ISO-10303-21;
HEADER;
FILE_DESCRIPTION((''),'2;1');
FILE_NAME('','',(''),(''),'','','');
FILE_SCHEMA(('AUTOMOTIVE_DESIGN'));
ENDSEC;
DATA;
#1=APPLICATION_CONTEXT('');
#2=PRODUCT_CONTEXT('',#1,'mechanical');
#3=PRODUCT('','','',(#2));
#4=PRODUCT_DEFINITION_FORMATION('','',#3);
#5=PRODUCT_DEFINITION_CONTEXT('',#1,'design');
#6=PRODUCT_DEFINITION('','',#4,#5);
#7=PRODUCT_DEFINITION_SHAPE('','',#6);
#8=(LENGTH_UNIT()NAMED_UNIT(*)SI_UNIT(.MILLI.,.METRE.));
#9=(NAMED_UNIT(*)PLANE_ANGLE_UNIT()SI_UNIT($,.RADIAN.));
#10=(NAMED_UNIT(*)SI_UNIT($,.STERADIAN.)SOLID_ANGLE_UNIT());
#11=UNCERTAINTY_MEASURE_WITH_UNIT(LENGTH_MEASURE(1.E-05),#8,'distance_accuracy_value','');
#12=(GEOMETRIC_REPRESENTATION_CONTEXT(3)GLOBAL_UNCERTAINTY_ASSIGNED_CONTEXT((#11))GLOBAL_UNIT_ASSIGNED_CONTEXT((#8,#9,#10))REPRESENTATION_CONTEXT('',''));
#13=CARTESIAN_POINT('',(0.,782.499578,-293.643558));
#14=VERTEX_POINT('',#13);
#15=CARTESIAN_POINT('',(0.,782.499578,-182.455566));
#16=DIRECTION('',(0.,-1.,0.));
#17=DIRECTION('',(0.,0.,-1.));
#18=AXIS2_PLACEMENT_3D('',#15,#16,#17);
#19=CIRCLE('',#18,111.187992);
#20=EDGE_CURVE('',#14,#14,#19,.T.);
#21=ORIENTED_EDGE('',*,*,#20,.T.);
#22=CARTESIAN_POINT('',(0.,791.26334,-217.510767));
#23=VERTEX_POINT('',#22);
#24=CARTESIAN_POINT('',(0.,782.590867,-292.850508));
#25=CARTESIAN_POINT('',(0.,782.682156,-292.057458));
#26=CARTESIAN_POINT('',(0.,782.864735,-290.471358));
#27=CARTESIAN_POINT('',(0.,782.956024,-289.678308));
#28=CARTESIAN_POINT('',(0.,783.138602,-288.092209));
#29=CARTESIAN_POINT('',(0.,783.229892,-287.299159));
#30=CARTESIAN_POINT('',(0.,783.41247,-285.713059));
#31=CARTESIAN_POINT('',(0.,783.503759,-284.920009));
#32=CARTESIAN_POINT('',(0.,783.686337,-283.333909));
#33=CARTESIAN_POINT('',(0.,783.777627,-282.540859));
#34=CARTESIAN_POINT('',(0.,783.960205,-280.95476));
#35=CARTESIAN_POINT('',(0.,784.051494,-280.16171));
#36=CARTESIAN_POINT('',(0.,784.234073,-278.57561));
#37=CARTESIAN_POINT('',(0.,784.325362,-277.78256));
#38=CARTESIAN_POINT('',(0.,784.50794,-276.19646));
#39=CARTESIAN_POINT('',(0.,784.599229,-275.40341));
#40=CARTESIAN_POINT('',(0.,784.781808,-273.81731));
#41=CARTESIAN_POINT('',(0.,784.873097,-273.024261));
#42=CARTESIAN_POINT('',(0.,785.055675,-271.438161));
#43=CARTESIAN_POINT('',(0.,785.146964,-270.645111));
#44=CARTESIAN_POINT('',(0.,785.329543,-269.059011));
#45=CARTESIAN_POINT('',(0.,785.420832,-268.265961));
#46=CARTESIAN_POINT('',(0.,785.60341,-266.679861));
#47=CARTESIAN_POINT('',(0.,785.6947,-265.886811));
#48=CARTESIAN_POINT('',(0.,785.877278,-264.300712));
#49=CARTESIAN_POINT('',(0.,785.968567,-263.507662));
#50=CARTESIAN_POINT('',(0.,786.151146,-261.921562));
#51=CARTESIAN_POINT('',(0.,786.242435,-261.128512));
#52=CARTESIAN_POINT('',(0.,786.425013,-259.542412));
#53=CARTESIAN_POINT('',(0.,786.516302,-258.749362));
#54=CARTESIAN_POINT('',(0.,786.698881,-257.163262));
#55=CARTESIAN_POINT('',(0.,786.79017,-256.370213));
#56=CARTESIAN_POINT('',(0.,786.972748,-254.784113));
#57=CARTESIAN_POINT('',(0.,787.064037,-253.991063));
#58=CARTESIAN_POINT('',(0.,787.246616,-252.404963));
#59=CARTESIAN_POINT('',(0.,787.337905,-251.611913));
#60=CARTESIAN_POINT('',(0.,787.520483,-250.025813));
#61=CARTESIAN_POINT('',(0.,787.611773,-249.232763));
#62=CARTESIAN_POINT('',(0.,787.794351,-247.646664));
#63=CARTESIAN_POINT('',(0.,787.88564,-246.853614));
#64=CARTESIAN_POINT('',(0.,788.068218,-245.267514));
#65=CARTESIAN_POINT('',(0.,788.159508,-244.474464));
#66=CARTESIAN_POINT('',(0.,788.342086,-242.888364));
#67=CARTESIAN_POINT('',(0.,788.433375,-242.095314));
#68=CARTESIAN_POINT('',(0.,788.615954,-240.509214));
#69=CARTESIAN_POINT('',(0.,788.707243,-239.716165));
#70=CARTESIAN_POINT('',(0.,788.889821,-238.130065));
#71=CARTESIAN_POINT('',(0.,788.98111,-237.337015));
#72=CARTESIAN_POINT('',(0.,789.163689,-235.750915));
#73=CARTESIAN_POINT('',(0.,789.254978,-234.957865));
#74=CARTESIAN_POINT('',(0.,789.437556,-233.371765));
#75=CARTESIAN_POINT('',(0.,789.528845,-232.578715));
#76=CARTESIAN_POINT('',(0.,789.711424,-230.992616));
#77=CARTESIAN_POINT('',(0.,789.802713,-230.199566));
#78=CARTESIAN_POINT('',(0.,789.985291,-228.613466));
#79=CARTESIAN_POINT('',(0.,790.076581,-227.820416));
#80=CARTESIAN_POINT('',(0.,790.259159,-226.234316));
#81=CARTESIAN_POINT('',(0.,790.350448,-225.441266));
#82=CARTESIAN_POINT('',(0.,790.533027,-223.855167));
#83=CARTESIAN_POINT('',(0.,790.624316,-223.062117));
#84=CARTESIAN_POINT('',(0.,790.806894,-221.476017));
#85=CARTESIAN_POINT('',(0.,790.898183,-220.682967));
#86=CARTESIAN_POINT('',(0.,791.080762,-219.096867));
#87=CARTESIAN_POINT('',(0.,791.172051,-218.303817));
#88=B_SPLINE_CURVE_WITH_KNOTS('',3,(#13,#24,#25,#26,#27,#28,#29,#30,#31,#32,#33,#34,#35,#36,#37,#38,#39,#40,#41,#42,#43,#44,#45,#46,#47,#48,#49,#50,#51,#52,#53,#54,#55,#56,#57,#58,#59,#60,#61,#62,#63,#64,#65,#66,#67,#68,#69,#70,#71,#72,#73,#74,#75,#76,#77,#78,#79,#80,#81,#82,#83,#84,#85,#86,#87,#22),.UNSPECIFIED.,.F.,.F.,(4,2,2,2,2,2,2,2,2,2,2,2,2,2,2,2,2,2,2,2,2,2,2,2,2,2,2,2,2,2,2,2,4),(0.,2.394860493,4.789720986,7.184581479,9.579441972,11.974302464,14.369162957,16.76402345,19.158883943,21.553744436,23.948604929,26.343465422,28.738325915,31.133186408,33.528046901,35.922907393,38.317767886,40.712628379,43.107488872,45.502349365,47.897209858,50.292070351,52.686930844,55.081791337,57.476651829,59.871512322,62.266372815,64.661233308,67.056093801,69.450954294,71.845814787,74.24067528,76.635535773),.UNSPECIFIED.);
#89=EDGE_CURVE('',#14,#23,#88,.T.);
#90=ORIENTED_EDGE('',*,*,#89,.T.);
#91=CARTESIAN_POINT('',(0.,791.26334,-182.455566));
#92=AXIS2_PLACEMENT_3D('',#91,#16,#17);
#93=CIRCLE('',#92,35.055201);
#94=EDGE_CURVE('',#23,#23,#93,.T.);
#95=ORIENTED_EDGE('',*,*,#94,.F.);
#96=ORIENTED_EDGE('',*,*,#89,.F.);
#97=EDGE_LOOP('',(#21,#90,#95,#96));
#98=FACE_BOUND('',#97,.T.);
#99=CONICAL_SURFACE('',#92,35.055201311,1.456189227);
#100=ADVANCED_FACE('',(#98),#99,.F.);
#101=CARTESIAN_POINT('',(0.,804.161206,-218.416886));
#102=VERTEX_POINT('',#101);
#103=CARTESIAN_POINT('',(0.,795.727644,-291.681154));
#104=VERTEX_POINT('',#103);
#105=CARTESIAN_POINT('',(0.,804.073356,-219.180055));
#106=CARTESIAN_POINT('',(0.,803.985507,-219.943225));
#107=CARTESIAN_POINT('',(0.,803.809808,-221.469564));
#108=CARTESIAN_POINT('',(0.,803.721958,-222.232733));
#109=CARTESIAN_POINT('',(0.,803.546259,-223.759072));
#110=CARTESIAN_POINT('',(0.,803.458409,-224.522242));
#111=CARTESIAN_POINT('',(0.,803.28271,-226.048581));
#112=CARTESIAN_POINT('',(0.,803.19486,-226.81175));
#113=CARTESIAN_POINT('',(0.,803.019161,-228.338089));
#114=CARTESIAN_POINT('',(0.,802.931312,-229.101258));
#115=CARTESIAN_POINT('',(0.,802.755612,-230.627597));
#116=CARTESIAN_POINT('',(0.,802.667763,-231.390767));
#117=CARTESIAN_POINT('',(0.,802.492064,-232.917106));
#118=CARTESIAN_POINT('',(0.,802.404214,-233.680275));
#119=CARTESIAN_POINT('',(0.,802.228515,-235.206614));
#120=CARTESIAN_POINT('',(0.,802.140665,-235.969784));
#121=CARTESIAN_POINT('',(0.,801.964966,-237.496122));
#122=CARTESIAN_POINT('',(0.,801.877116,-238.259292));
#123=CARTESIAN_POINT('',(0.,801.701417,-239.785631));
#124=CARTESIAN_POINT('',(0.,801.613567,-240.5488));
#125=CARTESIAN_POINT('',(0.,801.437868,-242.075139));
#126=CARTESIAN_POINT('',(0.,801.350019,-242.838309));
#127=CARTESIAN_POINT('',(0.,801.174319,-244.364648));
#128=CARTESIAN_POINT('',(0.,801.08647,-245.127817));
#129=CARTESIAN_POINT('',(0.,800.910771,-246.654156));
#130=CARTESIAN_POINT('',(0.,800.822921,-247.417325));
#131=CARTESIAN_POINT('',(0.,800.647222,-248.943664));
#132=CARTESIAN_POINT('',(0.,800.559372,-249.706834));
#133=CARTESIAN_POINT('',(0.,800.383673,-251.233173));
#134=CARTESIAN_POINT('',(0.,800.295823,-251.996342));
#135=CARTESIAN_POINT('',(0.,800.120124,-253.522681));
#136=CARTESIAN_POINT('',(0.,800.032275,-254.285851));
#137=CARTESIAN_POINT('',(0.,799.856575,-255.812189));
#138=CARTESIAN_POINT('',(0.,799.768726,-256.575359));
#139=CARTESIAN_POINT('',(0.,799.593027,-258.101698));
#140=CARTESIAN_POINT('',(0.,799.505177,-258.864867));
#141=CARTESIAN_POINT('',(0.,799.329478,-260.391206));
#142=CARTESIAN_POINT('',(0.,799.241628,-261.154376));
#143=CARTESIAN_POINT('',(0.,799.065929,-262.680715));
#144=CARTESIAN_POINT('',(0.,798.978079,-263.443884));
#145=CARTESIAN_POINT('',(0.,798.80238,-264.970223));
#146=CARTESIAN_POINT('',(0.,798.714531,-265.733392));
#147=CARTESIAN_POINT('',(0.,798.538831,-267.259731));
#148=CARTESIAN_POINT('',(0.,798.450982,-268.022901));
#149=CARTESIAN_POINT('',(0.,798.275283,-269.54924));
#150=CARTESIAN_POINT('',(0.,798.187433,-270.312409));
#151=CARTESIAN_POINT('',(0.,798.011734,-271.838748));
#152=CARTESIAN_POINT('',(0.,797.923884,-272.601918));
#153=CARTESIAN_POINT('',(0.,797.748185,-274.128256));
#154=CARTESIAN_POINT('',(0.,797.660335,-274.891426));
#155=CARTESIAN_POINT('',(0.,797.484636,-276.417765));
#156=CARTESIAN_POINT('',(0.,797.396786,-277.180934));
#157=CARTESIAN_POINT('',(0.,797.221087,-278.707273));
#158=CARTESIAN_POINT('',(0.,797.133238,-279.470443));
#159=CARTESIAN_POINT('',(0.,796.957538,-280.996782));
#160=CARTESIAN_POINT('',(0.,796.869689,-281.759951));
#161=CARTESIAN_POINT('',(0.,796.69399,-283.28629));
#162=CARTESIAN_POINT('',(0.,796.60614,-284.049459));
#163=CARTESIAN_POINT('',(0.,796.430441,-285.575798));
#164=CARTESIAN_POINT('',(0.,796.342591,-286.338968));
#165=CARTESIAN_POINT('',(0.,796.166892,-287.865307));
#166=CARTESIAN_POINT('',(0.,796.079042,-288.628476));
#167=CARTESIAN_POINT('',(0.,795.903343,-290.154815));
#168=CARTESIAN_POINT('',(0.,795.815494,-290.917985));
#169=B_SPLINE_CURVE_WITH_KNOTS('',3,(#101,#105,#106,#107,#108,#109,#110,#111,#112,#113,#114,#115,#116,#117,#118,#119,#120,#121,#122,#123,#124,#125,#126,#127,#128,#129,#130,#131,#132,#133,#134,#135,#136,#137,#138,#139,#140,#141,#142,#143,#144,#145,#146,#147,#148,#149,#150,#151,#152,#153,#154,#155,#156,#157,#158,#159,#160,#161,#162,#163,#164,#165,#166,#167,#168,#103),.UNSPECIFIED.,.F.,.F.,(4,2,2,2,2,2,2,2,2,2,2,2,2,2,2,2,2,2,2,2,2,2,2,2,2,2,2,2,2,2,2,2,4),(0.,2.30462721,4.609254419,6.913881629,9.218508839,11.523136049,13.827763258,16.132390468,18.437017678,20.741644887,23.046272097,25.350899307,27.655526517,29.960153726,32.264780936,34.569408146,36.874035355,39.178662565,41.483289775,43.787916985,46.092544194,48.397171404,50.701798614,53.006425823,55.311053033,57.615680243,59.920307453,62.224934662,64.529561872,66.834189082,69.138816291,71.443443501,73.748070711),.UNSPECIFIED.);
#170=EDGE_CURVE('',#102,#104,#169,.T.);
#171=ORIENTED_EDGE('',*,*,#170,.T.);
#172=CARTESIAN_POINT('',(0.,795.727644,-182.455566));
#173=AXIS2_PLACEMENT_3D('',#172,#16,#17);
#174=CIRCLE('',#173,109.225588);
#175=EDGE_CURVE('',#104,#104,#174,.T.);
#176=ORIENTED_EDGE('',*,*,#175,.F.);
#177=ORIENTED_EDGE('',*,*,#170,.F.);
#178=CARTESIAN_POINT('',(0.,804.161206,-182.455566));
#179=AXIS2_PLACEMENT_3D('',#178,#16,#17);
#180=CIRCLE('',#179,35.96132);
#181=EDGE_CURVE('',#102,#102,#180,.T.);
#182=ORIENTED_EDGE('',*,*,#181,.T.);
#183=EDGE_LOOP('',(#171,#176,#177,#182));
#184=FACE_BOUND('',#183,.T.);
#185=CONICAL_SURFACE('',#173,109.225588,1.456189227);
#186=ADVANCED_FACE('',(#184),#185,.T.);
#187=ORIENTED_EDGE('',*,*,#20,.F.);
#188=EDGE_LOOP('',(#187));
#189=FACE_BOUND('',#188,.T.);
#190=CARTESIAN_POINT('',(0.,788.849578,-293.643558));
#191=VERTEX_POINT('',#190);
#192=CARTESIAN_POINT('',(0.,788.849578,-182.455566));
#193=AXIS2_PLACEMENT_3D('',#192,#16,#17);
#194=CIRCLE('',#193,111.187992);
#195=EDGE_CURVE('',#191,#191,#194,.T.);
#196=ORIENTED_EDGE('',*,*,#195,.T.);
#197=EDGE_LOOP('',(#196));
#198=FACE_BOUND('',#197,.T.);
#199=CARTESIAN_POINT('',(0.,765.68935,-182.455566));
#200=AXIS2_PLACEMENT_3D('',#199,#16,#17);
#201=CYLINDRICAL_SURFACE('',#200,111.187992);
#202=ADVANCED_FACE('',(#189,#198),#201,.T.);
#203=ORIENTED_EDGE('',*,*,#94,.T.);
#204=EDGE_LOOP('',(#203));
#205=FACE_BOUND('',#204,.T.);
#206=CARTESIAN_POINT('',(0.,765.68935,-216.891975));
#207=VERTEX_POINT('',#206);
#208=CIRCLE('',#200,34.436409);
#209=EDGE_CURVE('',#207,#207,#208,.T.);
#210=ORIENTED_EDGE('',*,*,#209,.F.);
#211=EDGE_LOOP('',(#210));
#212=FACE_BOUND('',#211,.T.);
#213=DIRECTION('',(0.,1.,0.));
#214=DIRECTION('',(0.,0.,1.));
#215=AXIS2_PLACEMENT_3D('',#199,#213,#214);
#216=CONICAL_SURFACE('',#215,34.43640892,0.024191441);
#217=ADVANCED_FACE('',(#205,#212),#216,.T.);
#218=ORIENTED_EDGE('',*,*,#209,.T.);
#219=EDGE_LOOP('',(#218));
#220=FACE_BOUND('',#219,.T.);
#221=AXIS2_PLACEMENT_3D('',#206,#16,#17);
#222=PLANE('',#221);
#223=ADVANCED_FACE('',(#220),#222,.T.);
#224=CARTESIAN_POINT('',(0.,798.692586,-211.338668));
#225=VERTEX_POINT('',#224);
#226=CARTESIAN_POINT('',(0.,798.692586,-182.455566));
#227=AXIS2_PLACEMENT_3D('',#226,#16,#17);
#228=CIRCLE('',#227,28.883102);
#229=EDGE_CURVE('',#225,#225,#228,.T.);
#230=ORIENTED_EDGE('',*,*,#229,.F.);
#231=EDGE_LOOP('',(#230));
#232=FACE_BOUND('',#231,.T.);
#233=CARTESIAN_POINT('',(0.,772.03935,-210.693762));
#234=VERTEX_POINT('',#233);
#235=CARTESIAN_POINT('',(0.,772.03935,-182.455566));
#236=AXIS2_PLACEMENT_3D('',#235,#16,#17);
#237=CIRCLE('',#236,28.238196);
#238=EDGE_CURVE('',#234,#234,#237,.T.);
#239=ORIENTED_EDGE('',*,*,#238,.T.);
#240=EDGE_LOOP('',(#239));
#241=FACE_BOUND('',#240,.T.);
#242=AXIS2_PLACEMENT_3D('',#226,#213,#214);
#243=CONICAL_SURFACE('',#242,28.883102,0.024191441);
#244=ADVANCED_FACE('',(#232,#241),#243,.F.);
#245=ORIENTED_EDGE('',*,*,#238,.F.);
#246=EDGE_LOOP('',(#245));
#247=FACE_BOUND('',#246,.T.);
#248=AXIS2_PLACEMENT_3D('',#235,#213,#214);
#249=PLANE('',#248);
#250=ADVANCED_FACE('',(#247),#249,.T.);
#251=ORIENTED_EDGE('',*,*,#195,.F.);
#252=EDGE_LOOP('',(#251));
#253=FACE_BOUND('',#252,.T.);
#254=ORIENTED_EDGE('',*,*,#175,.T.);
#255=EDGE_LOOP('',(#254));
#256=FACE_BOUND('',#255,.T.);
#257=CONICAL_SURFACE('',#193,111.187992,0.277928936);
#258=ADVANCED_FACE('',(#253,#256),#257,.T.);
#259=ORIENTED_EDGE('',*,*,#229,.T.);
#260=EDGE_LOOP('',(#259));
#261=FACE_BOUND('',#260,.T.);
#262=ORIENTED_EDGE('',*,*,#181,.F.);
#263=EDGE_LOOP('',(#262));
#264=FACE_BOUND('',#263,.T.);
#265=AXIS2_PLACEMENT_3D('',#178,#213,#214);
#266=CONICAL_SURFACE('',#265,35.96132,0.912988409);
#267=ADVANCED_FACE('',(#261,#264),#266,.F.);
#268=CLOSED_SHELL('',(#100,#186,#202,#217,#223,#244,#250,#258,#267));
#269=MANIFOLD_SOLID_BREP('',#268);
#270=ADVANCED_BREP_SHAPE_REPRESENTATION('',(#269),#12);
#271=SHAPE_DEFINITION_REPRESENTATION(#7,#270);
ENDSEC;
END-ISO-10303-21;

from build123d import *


with BuildPart() as part:
    # Sketch1 → Revolve1 (revolve)
    with BuildSketch(Plane(origin=(0, 0, 0), x_dir=(0, 0, -1), z_dir=(1, 0, 0))):
        Polygon((182.455566, 772.03935), (210.693762, 772.03935), (211.338668, 798.692586), (218.416886, 804.161206), (291.681154, 795.727644), (293.643558, 788.849578), (293.643558, 782.499578), (217.510767311, 791.263340036), (216.89197492, 765.68935), (182.455566, 765.68935), align=None)
    revolve(axis=Axis((0, 765.68935, -182.455566), (0, 1, 0)))


solid = part.part
